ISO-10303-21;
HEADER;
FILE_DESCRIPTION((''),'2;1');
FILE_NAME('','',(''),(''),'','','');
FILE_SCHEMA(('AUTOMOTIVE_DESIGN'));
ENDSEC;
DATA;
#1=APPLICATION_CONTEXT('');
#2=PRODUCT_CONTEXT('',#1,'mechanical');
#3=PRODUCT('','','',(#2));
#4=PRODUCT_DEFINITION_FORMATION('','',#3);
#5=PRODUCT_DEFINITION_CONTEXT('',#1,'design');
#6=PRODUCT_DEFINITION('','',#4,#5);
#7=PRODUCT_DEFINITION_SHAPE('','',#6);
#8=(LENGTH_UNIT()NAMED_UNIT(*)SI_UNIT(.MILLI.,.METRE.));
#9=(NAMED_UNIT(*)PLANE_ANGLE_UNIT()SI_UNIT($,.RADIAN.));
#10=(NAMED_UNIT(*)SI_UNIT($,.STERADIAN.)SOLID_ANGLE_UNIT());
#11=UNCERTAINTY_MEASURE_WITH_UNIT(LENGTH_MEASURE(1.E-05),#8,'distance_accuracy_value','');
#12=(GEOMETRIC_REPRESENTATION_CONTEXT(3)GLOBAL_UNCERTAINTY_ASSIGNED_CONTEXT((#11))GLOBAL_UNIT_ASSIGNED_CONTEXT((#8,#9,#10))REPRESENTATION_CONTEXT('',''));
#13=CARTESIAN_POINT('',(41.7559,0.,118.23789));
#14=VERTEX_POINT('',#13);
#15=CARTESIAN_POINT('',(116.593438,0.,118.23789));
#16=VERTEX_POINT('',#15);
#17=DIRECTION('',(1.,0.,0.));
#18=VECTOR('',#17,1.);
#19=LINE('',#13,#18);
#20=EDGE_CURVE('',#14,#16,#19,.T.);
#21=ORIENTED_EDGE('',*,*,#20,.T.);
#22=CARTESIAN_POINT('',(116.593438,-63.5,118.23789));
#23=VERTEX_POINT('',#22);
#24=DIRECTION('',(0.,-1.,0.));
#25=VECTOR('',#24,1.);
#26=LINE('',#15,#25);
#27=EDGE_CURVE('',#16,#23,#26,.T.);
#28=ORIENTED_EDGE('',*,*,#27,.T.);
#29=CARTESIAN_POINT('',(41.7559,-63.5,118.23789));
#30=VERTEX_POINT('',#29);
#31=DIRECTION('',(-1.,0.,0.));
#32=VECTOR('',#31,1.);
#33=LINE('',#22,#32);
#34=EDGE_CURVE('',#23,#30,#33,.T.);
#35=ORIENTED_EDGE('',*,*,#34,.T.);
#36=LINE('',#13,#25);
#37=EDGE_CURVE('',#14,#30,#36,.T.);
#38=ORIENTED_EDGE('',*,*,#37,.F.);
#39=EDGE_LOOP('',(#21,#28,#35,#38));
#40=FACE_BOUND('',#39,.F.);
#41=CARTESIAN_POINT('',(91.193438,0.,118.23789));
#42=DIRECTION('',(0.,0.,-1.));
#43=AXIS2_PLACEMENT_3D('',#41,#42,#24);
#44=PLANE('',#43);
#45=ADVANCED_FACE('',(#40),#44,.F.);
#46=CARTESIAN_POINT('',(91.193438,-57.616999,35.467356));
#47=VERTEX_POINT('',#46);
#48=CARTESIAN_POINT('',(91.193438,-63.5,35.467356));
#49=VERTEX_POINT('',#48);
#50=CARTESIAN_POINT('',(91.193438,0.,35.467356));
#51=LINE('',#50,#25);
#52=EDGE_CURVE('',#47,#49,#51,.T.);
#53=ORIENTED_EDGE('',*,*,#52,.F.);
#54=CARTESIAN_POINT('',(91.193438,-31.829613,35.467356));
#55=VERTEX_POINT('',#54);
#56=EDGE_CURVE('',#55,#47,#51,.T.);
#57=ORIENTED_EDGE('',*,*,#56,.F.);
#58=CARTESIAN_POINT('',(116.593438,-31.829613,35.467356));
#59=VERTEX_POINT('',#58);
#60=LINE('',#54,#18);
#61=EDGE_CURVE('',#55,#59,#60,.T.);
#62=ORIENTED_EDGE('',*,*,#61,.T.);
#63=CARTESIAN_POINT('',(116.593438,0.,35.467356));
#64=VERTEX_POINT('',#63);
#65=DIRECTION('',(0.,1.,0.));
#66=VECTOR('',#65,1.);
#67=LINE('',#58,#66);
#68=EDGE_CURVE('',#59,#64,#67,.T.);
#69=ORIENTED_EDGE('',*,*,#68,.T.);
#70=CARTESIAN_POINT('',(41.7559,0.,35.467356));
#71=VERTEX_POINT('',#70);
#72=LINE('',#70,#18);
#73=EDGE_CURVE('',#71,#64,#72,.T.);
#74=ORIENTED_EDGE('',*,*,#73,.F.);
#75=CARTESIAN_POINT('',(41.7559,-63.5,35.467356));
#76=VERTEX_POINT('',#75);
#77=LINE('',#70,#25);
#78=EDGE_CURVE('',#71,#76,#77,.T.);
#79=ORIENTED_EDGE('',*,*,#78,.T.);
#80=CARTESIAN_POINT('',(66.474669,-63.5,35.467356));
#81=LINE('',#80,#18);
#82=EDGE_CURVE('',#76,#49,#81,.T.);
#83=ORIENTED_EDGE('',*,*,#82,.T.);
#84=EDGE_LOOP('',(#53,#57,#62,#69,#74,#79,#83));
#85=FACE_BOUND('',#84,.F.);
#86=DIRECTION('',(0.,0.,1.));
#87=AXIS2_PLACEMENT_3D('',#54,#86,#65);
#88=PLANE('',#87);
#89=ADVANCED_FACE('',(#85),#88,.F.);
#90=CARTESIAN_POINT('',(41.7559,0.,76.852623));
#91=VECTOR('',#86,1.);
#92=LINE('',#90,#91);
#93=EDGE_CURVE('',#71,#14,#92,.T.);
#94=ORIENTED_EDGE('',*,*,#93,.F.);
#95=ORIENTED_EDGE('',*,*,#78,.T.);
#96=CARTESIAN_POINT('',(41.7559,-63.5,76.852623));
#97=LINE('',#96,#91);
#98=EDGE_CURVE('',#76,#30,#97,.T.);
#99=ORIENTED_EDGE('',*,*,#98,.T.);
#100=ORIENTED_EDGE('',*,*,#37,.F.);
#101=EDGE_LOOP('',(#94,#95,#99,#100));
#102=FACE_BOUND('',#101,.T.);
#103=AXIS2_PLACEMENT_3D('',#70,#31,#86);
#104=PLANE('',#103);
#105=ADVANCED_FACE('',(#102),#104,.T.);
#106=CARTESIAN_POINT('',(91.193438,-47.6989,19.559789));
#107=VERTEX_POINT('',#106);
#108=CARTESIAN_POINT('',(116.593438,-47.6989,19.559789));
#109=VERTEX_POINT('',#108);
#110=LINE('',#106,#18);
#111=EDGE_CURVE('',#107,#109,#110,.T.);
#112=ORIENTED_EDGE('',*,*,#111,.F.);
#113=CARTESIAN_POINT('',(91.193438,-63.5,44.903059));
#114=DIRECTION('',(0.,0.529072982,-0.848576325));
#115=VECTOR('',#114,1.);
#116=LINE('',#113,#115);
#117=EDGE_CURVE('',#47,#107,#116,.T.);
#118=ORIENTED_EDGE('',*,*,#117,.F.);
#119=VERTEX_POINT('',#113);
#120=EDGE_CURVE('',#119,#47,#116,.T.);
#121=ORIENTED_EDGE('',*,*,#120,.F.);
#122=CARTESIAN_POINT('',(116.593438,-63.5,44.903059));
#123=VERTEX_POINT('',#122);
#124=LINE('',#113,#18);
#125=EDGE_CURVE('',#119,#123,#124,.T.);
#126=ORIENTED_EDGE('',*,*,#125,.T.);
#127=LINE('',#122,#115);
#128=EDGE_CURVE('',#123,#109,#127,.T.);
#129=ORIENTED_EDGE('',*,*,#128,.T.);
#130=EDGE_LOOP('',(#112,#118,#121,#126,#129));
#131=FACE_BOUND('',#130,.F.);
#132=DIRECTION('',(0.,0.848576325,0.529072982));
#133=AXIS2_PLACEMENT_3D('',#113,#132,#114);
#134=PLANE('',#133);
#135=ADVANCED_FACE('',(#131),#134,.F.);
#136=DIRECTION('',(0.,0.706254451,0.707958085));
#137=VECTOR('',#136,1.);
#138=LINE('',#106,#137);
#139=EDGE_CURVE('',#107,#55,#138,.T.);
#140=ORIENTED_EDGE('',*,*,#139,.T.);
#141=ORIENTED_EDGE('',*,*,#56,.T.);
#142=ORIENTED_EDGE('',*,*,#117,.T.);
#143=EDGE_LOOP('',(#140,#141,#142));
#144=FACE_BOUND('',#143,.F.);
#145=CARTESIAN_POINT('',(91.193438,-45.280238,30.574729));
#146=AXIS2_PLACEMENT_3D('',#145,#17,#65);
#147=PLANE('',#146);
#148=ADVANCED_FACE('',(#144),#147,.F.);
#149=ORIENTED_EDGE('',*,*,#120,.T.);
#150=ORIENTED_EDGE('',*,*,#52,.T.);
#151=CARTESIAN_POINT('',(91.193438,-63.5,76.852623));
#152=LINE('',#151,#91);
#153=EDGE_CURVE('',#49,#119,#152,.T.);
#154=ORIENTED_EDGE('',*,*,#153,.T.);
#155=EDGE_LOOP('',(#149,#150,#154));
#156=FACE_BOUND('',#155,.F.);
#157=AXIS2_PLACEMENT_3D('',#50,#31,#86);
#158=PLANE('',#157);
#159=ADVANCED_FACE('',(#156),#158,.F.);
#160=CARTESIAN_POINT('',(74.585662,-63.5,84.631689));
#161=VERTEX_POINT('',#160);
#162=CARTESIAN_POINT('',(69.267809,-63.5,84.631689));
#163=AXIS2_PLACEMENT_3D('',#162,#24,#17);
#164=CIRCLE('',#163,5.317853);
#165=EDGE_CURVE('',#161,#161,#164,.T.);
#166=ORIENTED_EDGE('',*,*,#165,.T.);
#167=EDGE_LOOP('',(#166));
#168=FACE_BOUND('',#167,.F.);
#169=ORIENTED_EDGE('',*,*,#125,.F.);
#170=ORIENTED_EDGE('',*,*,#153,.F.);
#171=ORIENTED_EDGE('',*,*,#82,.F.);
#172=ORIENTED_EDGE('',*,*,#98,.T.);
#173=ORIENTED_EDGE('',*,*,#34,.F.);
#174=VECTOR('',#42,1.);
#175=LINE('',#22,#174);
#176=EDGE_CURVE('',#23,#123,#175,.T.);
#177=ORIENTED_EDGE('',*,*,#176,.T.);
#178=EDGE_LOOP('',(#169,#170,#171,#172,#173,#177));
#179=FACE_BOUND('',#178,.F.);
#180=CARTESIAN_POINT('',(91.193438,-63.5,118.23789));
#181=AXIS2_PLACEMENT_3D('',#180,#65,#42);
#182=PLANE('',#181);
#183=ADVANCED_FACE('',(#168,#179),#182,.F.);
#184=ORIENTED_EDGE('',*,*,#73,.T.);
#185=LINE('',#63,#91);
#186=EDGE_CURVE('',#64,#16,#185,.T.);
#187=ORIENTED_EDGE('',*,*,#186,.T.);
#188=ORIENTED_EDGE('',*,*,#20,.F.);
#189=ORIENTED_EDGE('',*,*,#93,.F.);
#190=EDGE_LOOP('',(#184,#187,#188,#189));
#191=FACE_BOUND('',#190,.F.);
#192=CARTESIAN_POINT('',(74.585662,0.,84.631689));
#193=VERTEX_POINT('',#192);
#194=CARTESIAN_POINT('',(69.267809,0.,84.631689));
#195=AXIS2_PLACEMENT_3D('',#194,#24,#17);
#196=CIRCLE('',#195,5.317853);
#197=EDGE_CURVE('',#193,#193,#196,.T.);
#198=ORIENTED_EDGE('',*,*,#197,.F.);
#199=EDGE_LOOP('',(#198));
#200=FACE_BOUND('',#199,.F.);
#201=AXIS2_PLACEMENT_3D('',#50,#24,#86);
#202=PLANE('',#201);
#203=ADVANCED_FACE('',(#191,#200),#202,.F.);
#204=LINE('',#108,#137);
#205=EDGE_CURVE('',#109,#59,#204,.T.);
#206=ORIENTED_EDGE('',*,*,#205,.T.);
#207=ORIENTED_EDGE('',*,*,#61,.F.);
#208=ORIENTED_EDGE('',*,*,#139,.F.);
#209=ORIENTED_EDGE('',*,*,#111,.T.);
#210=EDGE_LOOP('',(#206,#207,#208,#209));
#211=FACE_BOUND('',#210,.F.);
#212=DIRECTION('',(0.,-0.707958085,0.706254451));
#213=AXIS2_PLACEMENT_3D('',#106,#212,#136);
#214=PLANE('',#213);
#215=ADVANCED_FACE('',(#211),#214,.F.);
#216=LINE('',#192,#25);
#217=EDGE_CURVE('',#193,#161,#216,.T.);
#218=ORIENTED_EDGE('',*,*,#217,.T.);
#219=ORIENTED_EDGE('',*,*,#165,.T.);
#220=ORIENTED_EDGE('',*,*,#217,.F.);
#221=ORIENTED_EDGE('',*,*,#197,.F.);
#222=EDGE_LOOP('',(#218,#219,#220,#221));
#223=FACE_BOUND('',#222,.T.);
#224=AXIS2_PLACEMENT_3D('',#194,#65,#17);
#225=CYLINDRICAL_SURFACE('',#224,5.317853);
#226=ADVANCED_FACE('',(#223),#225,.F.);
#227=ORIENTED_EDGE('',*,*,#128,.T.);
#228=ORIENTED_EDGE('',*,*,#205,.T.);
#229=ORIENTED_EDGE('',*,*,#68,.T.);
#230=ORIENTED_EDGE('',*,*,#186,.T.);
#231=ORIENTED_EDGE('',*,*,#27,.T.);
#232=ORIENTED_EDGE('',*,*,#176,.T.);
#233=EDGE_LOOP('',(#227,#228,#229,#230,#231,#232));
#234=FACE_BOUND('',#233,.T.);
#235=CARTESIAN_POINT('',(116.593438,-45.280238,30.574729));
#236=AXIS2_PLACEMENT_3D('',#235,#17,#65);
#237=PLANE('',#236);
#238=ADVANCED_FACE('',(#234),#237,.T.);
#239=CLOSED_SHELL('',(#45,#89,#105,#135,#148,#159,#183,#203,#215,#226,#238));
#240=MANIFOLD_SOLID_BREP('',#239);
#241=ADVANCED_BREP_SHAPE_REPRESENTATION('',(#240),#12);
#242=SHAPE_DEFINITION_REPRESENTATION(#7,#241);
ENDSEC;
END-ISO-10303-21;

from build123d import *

# Parameters (mm, degrees)
F0_W     = 49.4375377893
F0_H     = 82.7705338597
F0_R     = 5.3178527772
F1_DEPTH = 63.5
F3_DEPTH = 25.4


with BuildPart() as f1:
    # F0 (on Front) → F1 (new body)
    with BuildSketch(Plane.XZ):
        with Locations((66.4746686816, 76.8526233733)):
            Rectangle(F0_W, F0_H)
        with Locations((69.267809391, 84.6316888928)):
            Circle(F0_R, mode=Mode.SUBTRACT)
    extrude(amount=F1_DEPTH)

    # F2 (on face) → F3 (join)
    with BuildSketch(Plane.YZ.offset(91.1934375763)):
        Polygon((-31.8296131558, 35.4673564434), (-57.6169989926, 35.4673564434), (-47.6989001036, 19.559789449), align=None)
        Polygon((-63.5, 118.2378903031), (-63.5, 99.6016029376), (-63.5, 44.9030591623), (-57.6169989926, 35.4673564434), (-31.8296131558, 35.4673564434), (0, 35.4673564434), (0, 118.2378903031), align=None)
    extrude(amount=F3_DEPTH)


solid = f1.part
